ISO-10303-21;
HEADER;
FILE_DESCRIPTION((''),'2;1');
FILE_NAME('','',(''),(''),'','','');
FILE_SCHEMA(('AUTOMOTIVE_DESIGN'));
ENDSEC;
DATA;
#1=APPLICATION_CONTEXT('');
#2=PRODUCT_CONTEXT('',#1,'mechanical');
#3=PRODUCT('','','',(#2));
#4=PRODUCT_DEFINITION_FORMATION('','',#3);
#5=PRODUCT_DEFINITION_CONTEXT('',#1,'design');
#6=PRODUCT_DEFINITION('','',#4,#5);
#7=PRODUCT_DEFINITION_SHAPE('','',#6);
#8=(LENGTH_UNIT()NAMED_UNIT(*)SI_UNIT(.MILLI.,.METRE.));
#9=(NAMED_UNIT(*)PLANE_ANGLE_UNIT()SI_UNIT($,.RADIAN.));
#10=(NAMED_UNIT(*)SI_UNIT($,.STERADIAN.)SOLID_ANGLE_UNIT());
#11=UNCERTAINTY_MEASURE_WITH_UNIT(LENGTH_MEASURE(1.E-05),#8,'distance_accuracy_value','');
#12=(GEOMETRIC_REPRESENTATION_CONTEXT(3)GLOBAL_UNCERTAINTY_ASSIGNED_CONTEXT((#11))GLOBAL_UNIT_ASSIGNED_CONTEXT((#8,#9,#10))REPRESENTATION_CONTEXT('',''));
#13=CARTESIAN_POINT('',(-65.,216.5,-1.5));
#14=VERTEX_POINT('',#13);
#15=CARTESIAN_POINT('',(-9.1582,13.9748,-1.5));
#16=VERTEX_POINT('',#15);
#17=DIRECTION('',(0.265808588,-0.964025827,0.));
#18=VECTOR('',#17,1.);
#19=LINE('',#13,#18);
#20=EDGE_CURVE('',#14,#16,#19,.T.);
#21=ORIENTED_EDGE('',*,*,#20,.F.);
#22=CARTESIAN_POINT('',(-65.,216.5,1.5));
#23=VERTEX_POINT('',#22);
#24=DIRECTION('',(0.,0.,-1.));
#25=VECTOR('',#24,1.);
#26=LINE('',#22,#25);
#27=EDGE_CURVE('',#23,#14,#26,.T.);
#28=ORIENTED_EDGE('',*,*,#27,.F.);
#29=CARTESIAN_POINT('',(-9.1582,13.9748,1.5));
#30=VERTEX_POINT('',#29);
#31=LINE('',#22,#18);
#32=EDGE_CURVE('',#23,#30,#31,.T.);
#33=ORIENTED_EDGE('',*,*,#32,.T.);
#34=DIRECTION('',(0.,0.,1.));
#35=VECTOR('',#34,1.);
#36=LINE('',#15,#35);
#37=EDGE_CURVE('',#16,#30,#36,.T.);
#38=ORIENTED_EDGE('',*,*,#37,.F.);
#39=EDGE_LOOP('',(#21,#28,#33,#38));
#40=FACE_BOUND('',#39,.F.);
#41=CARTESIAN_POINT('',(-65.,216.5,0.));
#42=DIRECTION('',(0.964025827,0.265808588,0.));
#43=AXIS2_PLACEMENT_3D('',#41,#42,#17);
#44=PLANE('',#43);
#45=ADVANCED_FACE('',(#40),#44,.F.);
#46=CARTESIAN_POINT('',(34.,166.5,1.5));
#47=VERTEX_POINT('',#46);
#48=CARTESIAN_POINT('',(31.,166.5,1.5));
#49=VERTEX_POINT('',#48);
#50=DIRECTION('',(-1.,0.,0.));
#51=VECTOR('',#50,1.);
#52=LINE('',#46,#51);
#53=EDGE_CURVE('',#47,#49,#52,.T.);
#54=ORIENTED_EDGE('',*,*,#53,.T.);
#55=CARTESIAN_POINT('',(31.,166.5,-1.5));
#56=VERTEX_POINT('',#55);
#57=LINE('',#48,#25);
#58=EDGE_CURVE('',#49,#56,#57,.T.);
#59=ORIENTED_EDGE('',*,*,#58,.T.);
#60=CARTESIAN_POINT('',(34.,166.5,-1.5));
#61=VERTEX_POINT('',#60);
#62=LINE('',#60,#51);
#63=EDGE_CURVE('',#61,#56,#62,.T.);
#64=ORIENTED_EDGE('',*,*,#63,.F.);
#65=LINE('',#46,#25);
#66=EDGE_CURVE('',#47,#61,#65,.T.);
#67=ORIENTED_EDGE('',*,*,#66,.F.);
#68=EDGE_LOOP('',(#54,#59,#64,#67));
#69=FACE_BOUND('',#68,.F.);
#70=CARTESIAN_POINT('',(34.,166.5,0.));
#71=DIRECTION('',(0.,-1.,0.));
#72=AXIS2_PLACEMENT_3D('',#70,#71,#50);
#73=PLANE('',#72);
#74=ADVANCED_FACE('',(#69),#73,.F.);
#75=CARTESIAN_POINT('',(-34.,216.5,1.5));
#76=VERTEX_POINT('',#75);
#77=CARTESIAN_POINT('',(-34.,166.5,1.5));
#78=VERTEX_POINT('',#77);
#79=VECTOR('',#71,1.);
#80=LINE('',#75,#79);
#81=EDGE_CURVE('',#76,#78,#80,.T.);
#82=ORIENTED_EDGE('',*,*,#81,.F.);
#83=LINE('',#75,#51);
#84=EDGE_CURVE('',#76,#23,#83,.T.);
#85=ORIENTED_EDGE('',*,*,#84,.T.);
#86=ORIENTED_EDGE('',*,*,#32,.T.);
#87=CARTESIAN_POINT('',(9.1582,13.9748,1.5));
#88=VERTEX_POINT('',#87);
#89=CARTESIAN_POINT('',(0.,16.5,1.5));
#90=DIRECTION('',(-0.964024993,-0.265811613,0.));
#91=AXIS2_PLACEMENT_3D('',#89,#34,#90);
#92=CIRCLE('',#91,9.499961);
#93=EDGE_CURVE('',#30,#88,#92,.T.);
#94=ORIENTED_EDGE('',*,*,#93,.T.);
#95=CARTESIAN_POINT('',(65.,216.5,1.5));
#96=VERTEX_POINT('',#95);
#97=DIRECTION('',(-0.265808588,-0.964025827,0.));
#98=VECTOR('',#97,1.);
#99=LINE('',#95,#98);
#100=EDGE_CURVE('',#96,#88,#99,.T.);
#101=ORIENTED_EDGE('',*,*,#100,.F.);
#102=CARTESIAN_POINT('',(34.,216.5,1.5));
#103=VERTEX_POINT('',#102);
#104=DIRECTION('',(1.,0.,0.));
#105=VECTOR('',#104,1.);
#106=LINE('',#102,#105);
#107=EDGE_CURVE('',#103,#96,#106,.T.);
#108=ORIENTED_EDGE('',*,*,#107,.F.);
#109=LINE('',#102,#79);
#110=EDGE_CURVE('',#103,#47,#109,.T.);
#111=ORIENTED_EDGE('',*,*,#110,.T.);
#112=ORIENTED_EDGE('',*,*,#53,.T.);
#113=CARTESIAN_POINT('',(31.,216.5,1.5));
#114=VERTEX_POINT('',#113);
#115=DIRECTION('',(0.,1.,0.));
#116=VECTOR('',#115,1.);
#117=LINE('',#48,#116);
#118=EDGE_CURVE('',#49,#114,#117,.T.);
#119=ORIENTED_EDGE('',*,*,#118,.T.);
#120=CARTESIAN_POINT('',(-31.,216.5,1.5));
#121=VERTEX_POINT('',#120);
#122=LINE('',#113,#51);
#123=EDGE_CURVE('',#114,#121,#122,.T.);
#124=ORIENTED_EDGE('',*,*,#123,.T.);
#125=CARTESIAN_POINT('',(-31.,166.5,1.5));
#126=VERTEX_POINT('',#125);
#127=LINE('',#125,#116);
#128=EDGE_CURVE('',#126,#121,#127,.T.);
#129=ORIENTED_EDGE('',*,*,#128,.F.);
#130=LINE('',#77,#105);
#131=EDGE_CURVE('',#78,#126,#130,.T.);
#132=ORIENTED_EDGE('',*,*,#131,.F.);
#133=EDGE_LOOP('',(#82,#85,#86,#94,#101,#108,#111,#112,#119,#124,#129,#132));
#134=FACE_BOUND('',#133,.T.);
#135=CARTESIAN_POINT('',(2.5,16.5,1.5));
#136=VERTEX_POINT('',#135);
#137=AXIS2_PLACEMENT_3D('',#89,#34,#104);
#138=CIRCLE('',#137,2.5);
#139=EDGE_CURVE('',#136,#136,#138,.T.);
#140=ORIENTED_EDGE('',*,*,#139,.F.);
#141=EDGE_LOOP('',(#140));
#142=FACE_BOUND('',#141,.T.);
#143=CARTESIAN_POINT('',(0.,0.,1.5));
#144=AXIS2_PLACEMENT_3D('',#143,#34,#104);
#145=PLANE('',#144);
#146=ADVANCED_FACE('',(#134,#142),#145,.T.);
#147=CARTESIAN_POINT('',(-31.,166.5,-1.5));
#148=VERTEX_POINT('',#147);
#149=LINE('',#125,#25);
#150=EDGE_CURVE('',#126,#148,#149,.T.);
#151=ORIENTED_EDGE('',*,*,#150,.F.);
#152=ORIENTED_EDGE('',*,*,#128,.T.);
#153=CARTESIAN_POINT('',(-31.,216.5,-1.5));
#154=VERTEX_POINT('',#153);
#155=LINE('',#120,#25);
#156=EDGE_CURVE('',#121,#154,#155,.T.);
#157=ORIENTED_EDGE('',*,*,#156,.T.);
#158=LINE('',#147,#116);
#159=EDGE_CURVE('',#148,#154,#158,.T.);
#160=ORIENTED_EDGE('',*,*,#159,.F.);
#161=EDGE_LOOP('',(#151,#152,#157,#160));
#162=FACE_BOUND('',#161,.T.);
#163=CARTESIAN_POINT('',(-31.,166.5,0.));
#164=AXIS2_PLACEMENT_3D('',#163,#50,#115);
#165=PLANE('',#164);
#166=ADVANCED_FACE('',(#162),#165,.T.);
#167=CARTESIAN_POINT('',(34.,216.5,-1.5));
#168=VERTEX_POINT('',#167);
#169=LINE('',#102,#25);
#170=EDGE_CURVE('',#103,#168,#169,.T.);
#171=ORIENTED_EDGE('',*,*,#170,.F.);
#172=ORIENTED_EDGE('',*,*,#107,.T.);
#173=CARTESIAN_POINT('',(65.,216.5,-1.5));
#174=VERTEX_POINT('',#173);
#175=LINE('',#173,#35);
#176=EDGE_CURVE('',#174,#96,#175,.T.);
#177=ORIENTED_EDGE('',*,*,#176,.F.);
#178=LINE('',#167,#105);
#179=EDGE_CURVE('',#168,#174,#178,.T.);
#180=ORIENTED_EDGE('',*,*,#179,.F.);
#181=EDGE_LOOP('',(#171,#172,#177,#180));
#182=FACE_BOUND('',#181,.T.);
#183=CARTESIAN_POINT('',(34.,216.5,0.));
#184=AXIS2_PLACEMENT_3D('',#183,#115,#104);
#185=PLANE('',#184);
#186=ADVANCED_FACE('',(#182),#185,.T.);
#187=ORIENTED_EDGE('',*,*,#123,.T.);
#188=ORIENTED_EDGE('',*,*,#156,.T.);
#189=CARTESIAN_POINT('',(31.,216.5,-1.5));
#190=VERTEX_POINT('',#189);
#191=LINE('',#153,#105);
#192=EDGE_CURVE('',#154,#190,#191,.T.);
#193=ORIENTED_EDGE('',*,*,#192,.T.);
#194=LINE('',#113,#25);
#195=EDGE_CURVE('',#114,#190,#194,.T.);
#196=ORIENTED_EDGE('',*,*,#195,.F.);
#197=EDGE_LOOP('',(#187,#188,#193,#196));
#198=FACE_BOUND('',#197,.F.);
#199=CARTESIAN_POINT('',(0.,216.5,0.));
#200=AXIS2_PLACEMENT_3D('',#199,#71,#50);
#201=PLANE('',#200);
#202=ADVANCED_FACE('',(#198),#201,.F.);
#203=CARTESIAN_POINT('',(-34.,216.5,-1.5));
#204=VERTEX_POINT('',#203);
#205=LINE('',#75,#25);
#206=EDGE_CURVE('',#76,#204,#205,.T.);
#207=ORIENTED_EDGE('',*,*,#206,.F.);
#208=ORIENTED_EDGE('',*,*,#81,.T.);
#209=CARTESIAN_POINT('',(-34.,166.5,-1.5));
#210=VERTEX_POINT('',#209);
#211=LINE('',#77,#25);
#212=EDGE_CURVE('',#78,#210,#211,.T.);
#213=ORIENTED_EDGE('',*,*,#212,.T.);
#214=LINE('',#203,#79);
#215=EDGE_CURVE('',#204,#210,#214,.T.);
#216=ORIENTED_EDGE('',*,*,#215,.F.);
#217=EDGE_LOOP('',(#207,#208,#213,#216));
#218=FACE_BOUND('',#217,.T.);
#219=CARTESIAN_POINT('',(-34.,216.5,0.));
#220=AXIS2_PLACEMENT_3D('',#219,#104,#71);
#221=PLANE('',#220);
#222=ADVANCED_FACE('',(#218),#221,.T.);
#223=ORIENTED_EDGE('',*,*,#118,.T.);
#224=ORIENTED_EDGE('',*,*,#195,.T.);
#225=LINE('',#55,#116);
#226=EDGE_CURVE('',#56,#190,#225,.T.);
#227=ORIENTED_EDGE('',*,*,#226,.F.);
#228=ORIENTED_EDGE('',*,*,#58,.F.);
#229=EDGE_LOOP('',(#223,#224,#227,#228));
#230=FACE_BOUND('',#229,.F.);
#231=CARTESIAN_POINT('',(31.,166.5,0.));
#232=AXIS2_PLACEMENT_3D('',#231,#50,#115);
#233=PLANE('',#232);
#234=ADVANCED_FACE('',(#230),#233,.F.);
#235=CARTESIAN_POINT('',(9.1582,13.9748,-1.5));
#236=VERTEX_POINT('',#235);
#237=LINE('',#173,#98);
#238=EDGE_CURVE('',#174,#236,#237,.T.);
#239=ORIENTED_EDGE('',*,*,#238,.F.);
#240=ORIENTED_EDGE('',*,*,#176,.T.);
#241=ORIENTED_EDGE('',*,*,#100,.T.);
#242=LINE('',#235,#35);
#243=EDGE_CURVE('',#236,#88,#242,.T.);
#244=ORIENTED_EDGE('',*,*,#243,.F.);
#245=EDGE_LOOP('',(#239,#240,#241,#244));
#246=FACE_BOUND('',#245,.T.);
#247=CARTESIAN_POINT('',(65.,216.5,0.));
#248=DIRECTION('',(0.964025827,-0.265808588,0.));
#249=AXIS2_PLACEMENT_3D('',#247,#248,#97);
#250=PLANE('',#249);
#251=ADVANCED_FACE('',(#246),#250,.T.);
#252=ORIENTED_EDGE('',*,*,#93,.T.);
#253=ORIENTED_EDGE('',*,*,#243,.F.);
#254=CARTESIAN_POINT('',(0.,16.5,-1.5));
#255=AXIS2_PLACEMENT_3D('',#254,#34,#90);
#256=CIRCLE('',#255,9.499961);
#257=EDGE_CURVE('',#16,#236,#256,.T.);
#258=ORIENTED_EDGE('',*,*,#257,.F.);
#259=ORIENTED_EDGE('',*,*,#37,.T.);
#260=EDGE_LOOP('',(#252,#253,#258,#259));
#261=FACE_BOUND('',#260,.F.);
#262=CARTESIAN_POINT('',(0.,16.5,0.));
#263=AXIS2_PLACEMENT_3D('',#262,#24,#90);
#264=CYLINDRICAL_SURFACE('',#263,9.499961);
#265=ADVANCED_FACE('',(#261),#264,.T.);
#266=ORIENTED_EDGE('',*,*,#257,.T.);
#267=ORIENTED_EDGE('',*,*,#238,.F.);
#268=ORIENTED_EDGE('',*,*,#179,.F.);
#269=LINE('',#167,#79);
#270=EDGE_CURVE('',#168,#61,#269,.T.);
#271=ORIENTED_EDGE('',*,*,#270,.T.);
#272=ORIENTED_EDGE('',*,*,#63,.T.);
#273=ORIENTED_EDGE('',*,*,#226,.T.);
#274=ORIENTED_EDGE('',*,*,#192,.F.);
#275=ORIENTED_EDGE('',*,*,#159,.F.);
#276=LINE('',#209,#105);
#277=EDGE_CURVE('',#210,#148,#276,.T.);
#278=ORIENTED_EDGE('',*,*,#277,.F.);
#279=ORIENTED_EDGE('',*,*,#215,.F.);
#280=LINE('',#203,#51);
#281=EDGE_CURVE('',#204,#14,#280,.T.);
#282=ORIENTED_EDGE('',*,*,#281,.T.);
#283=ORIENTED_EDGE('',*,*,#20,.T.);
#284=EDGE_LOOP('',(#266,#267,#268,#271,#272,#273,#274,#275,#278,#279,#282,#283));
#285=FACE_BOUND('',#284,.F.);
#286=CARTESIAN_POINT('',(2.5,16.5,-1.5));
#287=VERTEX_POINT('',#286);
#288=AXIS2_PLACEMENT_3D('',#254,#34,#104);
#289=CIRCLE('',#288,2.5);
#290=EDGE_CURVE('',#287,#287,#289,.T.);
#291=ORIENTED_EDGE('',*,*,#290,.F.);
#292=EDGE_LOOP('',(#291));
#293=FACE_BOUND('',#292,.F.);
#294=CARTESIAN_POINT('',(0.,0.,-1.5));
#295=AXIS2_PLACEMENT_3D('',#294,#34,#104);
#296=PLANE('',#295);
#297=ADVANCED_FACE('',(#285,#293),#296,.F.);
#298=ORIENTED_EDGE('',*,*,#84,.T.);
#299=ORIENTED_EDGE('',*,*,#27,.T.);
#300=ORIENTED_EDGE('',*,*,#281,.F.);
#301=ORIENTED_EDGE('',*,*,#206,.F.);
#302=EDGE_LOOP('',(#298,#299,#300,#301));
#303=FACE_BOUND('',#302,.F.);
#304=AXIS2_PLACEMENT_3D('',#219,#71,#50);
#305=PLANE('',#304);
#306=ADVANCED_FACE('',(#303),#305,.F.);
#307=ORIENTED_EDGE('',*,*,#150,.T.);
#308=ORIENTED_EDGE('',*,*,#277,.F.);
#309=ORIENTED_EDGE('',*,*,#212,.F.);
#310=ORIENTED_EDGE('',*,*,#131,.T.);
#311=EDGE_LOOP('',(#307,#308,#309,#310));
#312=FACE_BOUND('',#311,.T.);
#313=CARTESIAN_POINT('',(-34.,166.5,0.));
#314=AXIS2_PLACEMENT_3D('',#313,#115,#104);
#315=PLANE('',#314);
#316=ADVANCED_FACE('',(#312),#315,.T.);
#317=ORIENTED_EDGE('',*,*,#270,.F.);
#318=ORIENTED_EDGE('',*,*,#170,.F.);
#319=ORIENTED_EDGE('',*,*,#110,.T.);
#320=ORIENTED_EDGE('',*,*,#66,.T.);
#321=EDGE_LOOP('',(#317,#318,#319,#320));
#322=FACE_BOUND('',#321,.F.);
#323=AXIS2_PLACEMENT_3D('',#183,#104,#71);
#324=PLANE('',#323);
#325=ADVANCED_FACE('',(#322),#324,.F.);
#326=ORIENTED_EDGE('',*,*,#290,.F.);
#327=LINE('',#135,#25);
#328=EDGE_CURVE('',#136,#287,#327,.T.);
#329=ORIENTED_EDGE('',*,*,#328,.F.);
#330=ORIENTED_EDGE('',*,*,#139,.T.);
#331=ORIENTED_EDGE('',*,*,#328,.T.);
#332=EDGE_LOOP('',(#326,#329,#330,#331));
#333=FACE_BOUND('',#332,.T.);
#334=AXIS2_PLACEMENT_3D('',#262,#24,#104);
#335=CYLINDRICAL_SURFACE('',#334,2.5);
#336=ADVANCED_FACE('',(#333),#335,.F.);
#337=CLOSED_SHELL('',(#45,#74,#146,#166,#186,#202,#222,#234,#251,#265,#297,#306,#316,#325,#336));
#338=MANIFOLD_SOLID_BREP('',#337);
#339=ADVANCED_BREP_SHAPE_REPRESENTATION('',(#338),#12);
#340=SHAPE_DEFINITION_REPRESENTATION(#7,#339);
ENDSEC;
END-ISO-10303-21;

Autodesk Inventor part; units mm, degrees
ref_plane "YZ Plane" through (0, 0, 0) normal (1, 0, 0) x (0, 1, 0)
ref_plane "XZ Plane" through (0, 0, 0) normal (0, 1, 0) x (-1, 0, 0)
ref_plane "XY Plane" through (0, 0, 0) normal (0, 0, 1) x (1, 0, 0)
sketch "Sketch1" plane through (0, 0, 0) normal (0, 0, 1) x (1, 0, 0)
  circle A0 centre (0, 16.5) radius 2.5 projected
  line L0 (0, 16.5) -> (0, 216.5) construction
  arc A1 (-9.1582, 13.9748) -> (9.1582, 13.9748) centre (0, 16.5) ccw
  line L1 (65, 216.5) -> (9.1582, 13.9748)
  circle A2 centre (0, 16.5) radius 2.5
  line L2 (34, 216.5) -> (34, 166.5)
  line L3 (34, 166.5) -> (31, 166.5)
  line L4 (31, 166.5) -> (31, 216.5)
  line L5 (0, 216.5) -> (31, 216.5)
  line L6 (34, 216.5) -> (65, 216.5)
  line L7 (-65, 216.5) -> (-9.1582, 13.9748)
  line L8 (-34, 216.5) -> (-34, 166.5)
  line L9 (-34, 166.5) -> (-31, 166.5)
  line L10 (-31, 166.5) -> (-31, 216.5)
  line L11 (0, 216.5) -> (-31, 216.5)
  line L12 (-34, 216.5) -> (-65, 216.5)
  point P0 (0, 0)
  dimension "d0" = 200
  dimension "d1" = 65
  dimension "d2" = 19
  dimension "d7" = 50
  dimension "d8" = 3
  dimension "d9" = 31
extrude "Extrusion2" add sketch "Sketch1" along normal blind 1.5 and the other way blind 1.5
properties part number "Pivote_Estructura"
